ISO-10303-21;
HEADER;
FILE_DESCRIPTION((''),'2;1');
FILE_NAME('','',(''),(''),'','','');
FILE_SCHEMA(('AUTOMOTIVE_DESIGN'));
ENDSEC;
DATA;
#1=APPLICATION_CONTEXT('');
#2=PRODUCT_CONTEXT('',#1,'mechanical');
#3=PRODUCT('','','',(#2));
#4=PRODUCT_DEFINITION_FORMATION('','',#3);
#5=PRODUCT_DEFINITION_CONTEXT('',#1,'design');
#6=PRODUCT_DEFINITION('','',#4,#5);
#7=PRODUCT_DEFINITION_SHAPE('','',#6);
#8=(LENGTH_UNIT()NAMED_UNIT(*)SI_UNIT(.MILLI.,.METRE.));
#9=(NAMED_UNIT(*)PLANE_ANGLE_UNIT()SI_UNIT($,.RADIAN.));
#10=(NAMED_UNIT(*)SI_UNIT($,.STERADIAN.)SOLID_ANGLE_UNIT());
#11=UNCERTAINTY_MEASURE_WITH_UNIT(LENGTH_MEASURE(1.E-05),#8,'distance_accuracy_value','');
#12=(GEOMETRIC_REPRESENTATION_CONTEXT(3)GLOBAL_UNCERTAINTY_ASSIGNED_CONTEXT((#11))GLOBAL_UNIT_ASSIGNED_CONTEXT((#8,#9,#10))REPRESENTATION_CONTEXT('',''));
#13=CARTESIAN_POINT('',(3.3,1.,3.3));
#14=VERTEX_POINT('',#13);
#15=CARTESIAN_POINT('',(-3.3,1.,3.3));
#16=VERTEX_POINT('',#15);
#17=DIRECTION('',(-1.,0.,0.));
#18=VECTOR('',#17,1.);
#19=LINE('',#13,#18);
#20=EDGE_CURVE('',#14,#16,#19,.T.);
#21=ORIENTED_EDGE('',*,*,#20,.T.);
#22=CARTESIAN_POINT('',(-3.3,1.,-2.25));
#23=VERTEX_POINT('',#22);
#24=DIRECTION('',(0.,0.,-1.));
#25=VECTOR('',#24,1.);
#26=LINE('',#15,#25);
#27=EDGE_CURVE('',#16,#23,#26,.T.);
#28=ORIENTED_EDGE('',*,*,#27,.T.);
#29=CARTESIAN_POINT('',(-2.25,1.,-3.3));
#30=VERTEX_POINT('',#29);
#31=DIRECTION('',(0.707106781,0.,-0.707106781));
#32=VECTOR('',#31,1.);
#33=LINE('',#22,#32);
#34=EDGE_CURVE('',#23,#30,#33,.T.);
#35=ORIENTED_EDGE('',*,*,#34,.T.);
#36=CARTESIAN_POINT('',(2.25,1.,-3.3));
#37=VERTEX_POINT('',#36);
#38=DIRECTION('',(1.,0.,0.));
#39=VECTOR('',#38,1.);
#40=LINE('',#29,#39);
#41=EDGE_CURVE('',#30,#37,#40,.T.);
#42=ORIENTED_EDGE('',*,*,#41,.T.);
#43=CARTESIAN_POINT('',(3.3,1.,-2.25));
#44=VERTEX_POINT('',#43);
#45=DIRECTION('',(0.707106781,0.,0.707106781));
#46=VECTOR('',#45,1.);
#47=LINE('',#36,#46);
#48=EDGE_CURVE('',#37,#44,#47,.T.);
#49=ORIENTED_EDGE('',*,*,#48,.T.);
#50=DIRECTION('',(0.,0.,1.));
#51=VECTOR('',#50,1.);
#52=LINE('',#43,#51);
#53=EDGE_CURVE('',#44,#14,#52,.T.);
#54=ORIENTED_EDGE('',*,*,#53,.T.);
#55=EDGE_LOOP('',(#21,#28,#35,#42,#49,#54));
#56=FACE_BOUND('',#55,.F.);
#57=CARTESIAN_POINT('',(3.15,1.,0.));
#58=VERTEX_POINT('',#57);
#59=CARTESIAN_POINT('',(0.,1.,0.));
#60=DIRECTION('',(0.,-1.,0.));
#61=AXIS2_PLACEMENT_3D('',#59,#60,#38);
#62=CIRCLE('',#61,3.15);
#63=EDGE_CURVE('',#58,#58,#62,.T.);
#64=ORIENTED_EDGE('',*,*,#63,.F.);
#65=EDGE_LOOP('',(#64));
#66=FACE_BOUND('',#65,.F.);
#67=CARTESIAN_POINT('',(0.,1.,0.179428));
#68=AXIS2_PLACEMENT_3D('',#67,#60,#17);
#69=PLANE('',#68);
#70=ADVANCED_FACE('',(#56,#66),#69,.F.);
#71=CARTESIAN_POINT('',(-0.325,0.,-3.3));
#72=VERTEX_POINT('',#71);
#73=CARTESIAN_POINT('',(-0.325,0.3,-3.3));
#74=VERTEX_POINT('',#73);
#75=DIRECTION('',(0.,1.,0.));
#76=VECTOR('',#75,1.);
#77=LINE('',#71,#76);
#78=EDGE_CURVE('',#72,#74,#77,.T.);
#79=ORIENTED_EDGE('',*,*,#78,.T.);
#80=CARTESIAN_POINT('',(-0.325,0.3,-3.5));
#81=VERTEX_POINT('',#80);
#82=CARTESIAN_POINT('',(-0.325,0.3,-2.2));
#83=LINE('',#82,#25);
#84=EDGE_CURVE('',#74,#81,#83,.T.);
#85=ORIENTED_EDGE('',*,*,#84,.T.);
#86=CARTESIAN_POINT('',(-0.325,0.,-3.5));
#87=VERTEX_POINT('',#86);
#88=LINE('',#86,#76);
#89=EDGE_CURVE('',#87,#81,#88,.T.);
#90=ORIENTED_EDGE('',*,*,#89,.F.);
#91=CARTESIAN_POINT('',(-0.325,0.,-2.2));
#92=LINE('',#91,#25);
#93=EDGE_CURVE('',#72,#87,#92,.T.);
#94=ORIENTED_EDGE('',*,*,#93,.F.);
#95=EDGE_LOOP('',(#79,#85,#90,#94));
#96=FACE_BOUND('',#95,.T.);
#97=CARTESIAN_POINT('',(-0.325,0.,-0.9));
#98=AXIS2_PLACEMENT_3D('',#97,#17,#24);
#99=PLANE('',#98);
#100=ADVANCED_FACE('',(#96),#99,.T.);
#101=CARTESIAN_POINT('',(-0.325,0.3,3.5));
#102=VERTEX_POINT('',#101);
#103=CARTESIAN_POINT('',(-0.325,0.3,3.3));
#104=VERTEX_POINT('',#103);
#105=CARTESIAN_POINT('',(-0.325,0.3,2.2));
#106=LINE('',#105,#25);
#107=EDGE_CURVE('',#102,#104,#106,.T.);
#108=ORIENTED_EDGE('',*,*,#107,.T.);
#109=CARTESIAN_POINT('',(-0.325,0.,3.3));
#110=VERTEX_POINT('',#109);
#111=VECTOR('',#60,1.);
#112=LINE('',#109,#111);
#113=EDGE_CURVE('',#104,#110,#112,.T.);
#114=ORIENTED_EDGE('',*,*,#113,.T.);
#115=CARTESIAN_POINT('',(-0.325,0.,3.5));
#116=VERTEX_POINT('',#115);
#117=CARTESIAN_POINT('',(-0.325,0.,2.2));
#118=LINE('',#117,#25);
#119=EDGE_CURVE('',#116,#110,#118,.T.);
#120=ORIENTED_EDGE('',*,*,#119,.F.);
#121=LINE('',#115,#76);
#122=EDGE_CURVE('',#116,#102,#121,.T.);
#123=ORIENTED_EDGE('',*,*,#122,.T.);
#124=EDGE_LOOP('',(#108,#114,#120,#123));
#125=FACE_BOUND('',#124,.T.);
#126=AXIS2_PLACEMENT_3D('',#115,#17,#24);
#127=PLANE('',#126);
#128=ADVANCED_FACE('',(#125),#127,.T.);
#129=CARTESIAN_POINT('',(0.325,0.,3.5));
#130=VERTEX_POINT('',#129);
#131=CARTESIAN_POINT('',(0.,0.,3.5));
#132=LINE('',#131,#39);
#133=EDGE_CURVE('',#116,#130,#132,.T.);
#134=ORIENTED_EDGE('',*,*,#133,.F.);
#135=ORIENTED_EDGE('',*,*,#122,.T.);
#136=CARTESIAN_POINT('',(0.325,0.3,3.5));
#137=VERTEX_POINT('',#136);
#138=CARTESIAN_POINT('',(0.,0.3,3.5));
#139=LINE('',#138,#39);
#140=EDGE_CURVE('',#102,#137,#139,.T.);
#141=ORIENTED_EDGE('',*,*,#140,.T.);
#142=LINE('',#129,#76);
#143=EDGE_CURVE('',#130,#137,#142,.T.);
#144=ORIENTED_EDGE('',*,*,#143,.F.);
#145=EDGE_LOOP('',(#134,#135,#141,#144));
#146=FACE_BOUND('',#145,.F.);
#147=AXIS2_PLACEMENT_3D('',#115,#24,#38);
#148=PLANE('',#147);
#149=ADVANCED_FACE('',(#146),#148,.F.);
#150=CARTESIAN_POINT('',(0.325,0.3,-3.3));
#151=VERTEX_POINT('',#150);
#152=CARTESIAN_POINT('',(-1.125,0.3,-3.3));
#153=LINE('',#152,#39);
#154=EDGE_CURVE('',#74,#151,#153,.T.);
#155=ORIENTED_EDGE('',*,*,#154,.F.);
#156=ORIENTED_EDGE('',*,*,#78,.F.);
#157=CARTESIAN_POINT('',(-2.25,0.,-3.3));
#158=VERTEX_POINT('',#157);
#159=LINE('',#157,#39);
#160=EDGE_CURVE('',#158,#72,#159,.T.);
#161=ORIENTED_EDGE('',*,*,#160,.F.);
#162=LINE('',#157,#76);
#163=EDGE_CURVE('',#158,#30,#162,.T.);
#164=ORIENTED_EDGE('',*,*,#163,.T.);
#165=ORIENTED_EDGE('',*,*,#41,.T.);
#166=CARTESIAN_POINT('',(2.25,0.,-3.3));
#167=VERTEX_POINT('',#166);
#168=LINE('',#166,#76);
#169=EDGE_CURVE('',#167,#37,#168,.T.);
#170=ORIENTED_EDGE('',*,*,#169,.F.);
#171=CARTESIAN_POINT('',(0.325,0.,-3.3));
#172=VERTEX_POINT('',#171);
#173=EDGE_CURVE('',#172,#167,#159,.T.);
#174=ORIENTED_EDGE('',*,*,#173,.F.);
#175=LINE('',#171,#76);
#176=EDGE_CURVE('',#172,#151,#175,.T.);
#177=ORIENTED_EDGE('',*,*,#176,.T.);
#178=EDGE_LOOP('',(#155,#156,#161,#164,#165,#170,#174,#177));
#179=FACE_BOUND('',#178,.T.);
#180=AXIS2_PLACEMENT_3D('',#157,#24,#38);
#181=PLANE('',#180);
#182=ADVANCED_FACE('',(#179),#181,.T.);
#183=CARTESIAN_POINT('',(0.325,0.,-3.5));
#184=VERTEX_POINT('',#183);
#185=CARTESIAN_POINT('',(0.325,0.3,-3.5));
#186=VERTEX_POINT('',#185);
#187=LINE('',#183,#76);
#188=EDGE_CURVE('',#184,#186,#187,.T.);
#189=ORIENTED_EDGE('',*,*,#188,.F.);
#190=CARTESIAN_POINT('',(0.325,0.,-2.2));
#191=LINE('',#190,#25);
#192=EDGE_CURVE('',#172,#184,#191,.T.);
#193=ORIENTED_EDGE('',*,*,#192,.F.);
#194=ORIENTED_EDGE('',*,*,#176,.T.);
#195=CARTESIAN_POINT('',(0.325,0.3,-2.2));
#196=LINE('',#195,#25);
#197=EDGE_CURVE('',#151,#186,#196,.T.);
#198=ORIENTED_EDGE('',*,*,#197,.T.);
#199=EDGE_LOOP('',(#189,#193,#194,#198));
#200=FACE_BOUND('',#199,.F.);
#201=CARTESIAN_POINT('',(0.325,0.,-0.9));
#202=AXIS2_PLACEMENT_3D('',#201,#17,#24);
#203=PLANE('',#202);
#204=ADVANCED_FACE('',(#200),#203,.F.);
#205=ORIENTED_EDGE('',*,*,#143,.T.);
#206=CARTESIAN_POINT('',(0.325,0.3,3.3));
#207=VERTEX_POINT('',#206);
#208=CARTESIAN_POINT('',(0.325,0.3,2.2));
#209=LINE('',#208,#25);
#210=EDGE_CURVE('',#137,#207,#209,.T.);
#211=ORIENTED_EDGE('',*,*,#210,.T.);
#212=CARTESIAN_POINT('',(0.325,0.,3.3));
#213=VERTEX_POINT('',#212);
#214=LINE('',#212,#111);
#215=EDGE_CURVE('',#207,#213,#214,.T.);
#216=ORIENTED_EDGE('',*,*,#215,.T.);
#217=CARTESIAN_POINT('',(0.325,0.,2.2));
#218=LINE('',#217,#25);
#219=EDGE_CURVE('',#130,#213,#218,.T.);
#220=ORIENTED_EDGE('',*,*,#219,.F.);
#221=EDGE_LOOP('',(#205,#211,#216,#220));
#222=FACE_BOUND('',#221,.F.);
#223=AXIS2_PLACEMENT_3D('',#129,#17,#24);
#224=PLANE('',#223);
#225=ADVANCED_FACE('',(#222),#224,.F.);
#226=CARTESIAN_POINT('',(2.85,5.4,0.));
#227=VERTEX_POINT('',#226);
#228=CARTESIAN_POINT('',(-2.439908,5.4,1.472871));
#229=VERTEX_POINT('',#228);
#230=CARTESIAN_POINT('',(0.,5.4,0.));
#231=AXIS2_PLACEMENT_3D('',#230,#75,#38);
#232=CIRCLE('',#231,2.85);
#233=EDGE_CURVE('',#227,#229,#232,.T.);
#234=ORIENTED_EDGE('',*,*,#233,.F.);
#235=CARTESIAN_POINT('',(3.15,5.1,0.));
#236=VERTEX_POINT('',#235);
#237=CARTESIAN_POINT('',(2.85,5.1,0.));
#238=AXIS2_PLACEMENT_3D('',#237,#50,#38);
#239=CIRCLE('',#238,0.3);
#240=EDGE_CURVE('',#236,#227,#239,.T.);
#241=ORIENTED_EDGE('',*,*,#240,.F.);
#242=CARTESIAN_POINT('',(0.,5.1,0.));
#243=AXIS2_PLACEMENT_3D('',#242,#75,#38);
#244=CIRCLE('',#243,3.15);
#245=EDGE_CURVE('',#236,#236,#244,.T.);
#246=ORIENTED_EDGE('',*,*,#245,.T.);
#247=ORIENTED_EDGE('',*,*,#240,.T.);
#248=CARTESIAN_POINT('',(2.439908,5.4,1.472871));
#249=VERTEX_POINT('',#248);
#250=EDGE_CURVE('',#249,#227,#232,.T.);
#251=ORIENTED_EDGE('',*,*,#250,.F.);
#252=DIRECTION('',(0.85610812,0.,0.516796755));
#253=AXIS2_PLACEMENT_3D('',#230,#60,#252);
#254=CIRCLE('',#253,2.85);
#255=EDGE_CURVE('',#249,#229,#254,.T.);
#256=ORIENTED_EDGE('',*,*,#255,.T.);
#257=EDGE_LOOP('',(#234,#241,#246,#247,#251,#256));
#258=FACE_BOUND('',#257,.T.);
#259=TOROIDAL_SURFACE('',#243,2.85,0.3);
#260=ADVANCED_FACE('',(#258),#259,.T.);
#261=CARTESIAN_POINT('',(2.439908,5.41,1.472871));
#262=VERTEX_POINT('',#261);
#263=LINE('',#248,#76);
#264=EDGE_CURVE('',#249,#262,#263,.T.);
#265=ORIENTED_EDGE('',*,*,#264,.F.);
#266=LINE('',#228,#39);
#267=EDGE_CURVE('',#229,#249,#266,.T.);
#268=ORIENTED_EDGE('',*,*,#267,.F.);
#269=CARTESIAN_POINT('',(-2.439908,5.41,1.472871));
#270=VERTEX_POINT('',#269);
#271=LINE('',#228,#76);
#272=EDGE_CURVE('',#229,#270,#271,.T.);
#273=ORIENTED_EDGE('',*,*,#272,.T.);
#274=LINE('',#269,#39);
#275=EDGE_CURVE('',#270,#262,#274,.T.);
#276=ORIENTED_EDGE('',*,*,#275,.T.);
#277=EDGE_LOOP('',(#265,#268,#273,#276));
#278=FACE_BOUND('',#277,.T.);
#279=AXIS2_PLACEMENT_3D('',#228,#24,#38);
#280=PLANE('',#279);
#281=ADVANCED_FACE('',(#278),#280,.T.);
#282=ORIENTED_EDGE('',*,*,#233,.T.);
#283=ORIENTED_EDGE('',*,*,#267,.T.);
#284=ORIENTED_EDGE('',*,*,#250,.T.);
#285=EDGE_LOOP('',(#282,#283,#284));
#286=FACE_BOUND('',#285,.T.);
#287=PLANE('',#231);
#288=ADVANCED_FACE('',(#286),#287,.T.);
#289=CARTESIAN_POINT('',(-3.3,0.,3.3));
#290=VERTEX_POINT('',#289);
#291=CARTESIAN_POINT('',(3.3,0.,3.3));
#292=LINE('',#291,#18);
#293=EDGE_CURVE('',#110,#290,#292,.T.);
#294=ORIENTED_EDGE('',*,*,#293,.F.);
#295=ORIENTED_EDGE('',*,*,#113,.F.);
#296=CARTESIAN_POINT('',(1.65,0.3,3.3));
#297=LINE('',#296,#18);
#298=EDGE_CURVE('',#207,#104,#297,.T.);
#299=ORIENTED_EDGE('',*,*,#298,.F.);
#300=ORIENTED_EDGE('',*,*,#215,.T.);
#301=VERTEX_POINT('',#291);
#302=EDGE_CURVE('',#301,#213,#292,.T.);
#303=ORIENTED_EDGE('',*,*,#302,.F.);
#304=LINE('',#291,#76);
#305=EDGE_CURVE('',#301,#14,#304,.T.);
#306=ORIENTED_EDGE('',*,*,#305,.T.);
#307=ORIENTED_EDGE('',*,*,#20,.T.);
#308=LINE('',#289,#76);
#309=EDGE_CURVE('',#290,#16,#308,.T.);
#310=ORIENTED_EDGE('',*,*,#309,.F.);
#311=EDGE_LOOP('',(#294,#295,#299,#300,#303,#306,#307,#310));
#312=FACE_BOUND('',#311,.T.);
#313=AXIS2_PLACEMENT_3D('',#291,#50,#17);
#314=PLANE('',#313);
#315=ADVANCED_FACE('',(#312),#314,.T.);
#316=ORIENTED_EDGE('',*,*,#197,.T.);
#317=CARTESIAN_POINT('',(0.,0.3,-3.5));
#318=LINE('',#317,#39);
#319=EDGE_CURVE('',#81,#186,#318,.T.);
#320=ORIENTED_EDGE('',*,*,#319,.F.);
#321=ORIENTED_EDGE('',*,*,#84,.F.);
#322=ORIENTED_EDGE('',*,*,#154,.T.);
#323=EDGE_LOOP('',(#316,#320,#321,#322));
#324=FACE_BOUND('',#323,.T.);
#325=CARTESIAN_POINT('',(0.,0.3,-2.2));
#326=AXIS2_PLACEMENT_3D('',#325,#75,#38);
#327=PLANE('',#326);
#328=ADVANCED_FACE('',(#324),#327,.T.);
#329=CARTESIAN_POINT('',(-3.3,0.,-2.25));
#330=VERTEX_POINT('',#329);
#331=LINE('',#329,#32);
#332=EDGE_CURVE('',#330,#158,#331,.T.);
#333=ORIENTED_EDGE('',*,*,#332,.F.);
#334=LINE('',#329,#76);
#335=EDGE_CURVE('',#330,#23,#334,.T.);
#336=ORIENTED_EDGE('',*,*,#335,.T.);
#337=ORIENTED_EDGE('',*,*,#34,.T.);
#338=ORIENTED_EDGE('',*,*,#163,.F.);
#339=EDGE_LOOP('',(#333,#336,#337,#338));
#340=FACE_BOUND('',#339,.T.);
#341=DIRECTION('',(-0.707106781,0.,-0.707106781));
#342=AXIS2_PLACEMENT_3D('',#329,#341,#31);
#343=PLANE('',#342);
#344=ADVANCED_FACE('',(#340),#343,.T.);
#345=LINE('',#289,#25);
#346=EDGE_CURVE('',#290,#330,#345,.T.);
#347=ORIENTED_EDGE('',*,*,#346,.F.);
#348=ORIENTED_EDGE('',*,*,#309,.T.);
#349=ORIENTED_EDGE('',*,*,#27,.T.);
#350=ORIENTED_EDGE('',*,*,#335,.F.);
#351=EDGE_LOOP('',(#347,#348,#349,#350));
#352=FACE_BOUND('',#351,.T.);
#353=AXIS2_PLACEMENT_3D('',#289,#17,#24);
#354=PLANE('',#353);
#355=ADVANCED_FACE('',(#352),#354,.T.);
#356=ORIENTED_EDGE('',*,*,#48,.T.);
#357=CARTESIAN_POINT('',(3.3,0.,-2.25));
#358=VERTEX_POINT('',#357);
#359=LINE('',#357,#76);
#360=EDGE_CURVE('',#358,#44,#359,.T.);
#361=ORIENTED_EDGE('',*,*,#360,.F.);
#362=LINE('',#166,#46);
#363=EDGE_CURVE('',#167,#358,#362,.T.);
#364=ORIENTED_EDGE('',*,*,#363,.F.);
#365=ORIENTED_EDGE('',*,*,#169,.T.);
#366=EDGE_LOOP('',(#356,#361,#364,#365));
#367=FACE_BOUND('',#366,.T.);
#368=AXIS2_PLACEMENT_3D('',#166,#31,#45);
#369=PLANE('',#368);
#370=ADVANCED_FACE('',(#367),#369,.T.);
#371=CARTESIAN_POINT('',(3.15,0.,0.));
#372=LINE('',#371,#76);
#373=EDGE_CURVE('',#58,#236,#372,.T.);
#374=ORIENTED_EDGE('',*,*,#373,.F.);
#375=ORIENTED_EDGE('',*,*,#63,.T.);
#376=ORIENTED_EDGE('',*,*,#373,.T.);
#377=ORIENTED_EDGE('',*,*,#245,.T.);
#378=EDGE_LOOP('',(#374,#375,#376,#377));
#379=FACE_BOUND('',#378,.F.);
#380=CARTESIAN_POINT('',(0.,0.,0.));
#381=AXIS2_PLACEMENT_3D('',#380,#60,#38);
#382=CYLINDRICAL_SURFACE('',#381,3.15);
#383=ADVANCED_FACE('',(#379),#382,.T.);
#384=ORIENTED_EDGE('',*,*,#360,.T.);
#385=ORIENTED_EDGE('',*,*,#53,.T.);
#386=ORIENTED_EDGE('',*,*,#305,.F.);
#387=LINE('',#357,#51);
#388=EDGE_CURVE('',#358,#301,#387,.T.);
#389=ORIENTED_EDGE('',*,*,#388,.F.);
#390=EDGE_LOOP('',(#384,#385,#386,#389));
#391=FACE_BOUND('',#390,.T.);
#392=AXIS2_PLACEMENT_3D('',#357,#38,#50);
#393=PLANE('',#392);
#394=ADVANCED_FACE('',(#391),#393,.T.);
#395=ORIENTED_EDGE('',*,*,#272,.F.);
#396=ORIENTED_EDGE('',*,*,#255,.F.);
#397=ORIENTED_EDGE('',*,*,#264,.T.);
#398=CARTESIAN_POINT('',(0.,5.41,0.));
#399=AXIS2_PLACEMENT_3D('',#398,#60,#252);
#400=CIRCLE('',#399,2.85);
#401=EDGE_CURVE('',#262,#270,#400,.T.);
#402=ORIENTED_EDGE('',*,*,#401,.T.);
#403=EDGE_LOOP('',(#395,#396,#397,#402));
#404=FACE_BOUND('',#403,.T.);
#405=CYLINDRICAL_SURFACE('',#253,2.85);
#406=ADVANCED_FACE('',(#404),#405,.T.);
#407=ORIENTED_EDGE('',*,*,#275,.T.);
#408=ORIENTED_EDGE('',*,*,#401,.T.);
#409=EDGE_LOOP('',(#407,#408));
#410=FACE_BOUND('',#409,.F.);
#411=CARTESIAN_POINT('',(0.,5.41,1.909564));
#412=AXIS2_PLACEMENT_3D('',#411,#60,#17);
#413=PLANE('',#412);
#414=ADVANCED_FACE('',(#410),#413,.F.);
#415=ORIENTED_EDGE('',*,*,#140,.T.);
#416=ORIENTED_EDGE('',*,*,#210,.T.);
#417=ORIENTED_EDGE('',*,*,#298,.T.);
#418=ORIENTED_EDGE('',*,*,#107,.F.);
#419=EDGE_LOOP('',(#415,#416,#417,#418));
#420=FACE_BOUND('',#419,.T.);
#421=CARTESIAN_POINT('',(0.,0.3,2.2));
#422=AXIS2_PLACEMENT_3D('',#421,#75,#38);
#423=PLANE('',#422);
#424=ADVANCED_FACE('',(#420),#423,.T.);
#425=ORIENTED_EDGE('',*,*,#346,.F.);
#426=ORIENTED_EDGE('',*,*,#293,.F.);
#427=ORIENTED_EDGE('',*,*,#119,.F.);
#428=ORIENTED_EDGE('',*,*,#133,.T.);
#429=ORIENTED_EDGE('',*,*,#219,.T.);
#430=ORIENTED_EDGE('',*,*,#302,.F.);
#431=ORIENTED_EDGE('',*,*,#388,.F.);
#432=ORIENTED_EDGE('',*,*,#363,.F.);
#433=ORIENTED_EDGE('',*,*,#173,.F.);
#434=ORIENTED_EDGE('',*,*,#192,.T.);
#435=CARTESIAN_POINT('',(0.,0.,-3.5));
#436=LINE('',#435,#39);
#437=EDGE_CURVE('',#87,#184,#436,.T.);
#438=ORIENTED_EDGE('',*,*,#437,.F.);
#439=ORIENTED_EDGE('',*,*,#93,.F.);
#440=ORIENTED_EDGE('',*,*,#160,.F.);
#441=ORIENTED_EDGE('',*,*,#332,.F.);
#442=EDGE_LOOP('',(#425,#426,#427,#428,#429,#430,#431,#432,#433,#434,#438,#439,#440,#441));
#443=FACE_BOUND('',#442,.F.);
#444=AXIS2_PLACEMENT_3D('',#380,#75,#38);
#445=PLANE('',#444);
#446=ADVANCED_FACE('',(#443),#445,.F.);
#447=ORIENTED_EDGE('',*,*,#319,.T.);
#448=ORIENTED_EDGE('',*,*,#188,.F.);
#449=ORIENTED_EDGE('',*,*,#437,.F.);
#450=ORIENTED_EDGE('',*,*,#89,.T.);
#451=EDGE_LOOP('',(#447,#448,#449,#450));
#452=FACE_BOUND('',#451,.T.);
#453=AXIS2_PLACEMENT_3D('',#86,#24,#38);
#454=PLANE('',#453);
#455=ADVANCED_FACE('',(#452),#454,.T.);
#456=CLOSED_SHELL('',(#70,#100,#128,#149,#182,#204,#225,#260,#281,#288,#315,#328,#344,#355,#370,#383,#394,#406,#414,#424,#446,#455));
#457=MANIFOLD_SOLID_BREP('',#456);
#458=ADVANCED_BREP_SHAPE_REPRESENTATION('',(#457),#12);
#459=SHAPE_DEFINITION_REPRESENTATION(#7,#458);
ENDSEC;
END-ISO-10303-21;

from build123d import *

# Parameters (mm, degrees)
BOSS_EXTRUDE1_DEPTH = 1
SKETCH3_R           = 3.15
BOSS_EXTRUDE2_DEPTH = 5.4
FILLET1_R           = 0.3
SKETCH4_W           = 0.65
SKETCH4_H           = 2.6
BOSS_EXTRUDE3_DEPTH = 0.3
BOSS_EXTRUDE4_DEPTH = 0.01


with BuildPart() as part:
    # Sketch2 → Boss-Extrude1 (new body)
    with BuildSketch(Plane(origin=(0, 0, 0), x_dir=(1, 0, 0), z_dir=(0, 1, 0))):
        Polygon((3.3, -3.3), (-3.3, -3.3), (-3.3, 2.25), (-2.25, 3.3), (2.25, 3.3), (3.3, 2.25), align=None)
    extrude(amount=BOSS_EXTRUDE1_DEPTH)

    # Sketch3 → Boss-Extrude2 (add)
    with BuildSketch(Plane(origin=(0, 0, 0), x_dir=(1, 0, 0), z_dir=(0, 1, 0))):
        Circle(SKETCH3_R)
    extrude(amount=BOSS_EXTRUDE2_DEPTH)

    # Fillet1
    fillet1_edges = [part.edges().sort_by_distance(p)[0] for p in [
        (-3.15, 5.4, 0),
    ]]
    fillet(fillet1_edges, radius=FILLET1_R)

    # Sketch4 → Boss-Extrude3 (add)
    with BuildSketch(Plane(origin=(0, 0, 0), x_dir=(1, 0, 0), z_dir=(0, 1, 0))):
        with Locations((0, 2.2)):
            Rectangle(SKETCH4_W, SKETCH4_H)
        with Locations((0, -2.2)):
            Rectangle(SKETCH4_W, SKETCH4_H)
    extrude(amount=BOSS_EXTRUDE3_DEPTH)

    # Sketch5 → Boss-Extrude4 (add)
    with BuildSketch(Plane(origin=(0, 5.4, 0), x_dir=(1, 0, 0), z_dir=(0, 1, 0))):
        with BuildLine():
            Line((-2.439908144, -1.472870752), (2.439908144, -1.472870752))
            ThreePointArc((2.439908144, -1.472870752), (0, -2.85), (-2.439908144, -1.472870752))
        make_face()
    extrude(amount=BOSS_EXTRUDE4_DEPTH)


solid = part.part
